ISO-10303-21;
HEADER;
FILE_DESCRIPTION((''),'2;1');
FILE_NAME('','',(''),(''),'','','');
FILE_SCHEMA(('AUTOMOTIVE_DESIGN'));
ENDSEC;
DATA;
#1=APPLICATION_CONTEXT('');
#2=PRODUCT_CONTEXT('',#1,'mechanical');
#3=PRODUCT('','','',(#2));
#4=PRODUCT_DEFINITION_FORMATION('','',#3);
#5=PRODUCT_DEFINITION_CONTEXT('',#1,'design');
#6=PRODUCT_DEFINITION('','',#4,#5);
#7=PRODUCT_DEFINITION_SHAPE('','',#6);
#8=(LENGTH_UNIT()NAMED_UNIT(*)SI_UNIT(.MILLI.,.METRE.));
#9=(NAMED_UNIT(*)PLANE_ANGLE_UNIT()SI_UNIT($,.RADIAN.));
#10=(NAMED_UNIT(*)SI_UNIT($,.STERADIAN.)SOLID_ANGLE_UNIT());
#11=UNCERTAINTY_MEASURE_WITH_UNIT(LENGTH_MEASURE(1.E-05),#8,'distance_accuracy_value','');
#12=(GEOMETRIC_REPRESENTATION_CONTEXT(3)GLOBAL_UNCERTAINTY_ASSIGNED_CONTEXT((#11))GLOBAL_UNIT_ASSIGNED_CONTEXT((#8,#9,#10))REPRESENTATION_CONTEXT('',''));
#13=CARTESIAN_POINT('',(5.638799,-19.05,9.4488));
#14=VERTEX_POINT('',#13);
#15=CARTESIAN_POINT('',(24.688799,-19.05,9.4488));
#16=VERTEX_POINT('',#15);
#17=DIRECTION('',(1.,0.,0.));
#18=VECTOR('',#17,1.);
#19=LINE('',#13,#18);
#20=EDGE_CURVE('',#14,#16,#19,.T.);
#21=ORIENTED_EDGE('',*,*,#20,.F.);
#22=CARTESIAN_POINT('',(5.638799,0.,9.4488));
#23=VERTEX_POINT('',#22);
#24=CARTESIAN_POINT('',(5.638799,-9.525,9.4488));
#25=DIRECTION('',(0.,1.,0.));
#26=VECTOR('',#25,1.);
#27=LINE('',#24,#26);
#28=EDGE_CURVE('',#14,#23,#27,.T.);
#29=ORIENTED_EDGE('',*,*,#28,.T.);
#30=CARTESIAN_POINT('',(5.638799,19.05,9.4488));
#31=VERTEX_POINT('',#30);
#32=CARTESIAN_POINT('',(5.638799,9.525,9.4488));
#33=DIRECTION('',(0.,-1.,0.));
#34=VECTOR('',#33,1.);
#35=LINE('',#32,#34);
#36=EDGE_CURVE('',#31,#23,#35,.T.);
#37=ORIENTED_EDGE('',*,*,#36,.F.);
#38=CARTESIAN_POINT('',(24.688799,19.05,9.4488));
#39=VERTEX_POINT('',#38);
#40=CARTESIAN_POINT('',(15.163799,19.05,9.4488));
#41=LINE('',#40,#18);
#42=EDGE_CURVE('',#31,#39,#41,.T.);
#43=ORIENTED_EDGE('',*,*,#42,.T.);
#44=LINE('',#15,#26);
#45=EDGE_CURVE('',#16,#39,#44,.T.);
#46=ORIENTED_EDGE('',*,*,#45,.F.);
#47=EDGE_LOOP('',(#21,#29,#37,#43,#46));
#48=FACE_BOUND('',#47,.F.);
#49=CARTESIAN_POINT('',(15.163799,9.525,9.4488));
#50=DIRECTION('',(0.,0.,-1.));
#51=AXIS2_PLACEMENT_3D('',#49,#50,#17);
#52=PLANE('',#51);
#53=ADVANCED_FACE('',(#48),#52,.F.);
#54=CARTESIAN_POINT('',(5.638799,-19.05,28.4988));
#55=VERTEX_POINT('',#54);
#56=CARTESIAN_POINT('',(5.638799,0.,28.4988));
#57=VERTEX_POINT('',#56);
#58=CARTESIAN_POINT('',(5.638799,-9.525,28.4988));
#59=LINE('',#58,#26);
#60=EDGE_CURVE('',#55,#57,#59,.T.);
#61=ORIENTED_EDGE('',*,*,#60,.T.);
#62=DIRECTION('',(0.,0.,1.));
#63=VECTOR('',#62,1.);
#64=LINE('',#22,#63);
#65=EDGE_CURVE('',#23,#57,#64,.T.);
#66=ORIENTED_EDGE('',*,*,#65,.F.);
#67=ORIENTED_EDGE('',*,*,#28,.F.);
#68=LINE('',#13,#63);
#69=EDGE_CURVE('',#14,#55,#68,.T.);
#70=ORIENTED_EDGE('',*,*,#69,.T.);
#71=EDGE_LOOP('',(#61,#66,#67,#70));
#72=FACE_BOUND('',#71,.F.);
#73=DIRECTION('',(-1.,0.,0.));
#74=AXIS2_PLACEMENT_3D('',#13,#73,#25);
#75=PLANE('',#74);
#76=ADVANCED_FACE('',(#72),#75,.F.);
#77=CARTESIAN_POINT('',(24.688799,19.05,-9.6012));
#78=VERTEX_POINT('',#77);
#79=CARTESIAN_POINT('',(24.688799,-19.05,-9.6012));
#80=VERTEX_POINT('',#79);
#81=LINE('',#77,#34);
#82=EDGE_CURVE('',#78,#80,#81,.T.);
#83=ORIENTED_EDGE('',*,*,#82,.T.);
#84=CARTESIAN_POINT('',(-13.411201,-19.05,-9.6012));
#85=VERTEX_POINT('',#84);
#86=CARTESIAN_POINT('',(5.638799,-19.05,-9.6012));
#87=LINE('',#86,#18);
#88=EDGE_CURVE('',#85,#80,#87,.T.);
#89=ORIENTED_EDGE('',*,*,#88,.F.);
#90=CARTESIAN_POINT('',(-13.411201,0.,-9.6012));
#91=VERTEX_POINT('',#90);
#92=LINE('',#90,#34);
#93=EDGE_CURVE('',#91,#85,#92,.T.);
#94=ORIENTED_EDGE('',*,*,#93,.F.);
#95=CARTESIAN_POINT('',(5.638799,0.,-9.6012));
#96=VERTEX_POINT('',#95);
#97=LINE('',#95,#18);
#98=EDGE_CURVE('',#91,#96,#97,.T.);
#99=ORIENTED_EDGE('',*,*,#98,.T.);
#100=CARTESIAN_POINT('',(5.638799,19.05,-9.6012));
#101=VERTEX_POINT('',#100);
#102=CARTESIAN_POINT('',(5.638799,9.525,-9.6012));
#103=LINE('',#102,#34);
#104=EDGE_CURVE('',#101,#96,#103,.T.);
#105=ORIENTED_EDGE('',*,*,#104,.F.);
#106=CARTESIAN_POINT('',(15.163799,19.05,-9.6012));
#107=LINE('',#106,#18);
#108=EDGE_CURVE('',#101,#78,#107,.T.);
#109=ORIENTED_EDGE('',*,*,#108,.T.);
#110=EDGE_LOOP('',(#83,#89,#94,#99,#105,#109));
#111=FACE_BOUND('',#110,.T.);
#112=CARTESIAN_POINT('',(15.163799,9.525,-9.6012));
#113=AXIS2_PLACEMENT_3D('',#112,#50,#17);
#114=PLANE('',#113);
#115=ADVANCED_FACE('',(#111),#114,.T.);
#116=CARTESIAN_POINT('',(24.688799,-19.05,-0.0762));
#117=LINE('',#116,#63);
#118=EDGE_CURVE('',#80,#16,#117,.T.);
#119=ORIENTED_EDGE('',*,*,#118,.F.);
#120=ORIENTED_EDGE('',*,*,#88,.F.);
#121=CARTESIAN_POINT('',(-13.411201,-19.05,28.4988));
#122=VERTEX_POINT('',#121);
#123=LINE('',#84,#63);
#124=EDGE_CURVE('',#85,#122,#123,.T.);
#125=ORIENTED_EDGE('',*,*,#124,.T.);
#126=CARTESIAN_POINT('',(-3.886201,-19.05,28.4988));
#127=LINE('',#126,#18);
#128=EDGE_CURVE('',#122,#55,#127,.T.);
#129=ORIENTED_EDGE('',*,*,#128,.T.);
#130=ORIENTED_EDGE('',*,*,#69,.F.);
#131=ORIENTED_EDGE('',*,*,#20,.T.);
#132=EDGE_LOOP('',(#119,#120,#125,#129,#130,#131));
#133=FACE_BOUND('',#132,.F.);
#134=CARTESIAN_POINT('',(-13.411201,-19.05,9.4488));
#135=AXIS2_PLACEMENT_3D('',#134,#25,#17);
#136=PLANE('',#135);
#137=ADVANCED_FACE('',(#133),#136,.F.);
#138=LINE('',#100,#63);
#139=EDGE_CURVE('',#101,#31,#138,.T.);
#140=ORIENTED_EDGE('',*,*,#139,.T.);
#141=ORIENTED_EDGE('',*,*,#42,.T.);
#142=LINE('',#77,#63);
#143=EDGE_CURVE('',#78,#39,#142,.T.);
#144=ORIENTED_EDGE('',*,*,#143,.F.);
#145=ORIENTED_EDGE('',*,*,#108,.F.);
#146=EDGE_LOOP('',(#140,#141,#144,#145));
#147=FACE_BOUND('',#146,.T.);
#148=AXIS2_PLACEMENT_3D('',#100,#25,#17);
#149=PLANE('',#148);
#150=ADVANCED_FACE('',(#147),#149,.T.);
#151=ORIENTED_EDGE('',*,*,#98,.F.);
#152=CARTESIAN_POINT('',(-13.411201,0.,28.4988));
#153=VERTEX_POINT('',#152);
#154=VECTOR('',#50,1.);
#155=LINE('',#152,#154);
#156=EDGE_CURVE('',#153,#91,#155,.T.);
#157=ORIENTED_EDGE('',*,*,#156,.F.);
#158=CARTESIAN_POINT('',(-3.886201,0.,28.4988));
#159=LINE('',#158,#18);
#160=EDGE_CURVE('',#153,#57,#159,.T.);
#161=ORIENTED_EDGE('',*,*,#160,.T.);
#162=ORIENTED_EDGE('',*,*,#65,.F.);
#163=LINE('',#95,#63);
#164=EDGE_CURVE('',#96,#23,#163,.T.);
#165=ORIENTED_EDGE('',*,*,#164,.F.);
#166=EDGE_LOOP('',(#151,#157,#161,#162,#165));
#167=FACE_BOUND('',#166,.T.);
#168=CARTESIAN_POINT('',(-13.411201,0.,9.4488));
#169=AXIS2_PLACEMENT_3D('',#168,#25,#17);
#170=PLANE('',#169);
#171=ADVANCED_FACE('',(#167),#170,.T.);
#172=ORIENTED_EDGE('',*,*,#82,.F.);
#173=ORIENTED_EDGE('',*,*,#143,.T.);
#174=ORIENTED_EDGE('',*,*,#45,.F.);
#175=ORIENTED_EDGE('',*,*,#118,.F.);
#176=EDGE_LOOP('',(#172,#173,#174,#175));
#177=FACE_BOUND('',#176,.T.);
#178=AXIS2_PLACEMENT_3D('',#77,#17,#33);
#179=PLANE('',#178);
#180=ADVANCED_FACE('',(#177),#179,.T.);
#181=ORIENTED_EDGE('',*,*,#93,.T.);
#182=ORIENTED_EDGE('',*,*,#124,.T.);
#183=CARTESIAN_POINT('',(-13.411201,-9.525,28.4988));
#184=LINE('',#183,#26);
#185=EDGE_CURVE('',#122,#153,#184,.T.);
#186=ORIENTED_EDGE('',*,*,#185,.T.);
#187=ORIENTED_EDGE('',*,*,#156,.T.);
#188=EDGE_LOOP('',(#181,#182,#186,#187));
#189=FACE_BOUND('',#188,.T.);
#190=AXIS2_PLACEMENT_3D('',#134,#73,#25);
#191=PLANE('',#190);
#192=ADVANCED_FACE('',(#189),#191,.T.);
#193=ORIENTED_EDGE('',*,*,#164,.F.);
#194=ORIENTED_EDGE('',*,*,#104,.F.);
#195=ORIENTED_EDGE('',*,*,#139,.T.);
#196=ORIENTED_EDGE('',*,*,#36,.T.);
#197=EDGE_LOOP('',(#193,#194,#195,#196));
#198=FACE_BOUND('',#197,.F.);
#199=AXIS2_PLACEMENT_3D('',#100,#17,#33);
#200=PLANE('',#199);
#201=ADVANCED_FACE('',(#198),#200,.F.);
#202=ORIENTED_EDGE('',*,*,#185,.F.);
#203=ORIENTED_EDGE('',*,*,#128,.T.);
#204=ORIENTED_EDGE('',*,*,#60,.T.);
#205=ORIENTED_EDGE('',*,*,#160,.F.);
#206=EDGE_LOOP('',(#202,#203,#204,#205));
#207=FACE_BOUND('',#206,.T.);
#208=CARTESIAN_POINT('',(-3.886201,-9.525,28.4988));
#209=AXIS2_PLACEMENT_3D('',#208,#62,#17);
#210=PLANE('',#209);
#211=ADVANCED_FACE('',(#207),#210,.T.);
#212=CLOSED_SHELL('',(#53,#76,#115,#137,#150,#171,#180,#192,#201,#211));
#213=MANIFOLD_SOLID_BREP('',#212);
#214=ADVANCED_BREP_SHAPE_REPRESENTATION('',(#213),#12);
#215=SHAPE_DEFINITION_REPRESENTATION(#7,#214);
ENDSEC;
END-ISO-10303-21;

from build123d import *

# Parameters (mm, degrees)
F0_W     = 38.1
F0_H     = 19.05
F1_DEPTH = 19.05
F2_W     = 19.05
F2_H     = 19.05
F3_DEPTH = 19.05
F4_W     = 19.05
F4_H     = 19.05
F5_DEPTH = 19.05


with BuildPart() as f1:
    # F0 (on Front) → F1 (new body)
    with BuildSketch(Plane.XZ):
        with Locations((5.6387989342, -0.0761999995)):
            Rectangle(F0_W, F0_H)
    extrude(amount=F1_DEPTH)

    # F2 (on face) → F3 (join)
    with BuildSketch(Plane(origin=(0, 0, -9.6011999995), x_dir=(1, 0, 0), z_dir=(0, 0, -1))):
        with Locations((15.1637989342, -9.525)):
            Rectangle(F2_W, F2_H)
    extrude(amount=-F3_DEPTH)

    # F4 (on face) → F5 (join)
    with BuildSketch(Plane.XY.offset(9.4488000005)):
        with Locations((-3.8862010658, -9.525)):
            Rectangle(F4_W, F4_H)
    extrude(amount=F5_DEPTH)


solid = f1.part
